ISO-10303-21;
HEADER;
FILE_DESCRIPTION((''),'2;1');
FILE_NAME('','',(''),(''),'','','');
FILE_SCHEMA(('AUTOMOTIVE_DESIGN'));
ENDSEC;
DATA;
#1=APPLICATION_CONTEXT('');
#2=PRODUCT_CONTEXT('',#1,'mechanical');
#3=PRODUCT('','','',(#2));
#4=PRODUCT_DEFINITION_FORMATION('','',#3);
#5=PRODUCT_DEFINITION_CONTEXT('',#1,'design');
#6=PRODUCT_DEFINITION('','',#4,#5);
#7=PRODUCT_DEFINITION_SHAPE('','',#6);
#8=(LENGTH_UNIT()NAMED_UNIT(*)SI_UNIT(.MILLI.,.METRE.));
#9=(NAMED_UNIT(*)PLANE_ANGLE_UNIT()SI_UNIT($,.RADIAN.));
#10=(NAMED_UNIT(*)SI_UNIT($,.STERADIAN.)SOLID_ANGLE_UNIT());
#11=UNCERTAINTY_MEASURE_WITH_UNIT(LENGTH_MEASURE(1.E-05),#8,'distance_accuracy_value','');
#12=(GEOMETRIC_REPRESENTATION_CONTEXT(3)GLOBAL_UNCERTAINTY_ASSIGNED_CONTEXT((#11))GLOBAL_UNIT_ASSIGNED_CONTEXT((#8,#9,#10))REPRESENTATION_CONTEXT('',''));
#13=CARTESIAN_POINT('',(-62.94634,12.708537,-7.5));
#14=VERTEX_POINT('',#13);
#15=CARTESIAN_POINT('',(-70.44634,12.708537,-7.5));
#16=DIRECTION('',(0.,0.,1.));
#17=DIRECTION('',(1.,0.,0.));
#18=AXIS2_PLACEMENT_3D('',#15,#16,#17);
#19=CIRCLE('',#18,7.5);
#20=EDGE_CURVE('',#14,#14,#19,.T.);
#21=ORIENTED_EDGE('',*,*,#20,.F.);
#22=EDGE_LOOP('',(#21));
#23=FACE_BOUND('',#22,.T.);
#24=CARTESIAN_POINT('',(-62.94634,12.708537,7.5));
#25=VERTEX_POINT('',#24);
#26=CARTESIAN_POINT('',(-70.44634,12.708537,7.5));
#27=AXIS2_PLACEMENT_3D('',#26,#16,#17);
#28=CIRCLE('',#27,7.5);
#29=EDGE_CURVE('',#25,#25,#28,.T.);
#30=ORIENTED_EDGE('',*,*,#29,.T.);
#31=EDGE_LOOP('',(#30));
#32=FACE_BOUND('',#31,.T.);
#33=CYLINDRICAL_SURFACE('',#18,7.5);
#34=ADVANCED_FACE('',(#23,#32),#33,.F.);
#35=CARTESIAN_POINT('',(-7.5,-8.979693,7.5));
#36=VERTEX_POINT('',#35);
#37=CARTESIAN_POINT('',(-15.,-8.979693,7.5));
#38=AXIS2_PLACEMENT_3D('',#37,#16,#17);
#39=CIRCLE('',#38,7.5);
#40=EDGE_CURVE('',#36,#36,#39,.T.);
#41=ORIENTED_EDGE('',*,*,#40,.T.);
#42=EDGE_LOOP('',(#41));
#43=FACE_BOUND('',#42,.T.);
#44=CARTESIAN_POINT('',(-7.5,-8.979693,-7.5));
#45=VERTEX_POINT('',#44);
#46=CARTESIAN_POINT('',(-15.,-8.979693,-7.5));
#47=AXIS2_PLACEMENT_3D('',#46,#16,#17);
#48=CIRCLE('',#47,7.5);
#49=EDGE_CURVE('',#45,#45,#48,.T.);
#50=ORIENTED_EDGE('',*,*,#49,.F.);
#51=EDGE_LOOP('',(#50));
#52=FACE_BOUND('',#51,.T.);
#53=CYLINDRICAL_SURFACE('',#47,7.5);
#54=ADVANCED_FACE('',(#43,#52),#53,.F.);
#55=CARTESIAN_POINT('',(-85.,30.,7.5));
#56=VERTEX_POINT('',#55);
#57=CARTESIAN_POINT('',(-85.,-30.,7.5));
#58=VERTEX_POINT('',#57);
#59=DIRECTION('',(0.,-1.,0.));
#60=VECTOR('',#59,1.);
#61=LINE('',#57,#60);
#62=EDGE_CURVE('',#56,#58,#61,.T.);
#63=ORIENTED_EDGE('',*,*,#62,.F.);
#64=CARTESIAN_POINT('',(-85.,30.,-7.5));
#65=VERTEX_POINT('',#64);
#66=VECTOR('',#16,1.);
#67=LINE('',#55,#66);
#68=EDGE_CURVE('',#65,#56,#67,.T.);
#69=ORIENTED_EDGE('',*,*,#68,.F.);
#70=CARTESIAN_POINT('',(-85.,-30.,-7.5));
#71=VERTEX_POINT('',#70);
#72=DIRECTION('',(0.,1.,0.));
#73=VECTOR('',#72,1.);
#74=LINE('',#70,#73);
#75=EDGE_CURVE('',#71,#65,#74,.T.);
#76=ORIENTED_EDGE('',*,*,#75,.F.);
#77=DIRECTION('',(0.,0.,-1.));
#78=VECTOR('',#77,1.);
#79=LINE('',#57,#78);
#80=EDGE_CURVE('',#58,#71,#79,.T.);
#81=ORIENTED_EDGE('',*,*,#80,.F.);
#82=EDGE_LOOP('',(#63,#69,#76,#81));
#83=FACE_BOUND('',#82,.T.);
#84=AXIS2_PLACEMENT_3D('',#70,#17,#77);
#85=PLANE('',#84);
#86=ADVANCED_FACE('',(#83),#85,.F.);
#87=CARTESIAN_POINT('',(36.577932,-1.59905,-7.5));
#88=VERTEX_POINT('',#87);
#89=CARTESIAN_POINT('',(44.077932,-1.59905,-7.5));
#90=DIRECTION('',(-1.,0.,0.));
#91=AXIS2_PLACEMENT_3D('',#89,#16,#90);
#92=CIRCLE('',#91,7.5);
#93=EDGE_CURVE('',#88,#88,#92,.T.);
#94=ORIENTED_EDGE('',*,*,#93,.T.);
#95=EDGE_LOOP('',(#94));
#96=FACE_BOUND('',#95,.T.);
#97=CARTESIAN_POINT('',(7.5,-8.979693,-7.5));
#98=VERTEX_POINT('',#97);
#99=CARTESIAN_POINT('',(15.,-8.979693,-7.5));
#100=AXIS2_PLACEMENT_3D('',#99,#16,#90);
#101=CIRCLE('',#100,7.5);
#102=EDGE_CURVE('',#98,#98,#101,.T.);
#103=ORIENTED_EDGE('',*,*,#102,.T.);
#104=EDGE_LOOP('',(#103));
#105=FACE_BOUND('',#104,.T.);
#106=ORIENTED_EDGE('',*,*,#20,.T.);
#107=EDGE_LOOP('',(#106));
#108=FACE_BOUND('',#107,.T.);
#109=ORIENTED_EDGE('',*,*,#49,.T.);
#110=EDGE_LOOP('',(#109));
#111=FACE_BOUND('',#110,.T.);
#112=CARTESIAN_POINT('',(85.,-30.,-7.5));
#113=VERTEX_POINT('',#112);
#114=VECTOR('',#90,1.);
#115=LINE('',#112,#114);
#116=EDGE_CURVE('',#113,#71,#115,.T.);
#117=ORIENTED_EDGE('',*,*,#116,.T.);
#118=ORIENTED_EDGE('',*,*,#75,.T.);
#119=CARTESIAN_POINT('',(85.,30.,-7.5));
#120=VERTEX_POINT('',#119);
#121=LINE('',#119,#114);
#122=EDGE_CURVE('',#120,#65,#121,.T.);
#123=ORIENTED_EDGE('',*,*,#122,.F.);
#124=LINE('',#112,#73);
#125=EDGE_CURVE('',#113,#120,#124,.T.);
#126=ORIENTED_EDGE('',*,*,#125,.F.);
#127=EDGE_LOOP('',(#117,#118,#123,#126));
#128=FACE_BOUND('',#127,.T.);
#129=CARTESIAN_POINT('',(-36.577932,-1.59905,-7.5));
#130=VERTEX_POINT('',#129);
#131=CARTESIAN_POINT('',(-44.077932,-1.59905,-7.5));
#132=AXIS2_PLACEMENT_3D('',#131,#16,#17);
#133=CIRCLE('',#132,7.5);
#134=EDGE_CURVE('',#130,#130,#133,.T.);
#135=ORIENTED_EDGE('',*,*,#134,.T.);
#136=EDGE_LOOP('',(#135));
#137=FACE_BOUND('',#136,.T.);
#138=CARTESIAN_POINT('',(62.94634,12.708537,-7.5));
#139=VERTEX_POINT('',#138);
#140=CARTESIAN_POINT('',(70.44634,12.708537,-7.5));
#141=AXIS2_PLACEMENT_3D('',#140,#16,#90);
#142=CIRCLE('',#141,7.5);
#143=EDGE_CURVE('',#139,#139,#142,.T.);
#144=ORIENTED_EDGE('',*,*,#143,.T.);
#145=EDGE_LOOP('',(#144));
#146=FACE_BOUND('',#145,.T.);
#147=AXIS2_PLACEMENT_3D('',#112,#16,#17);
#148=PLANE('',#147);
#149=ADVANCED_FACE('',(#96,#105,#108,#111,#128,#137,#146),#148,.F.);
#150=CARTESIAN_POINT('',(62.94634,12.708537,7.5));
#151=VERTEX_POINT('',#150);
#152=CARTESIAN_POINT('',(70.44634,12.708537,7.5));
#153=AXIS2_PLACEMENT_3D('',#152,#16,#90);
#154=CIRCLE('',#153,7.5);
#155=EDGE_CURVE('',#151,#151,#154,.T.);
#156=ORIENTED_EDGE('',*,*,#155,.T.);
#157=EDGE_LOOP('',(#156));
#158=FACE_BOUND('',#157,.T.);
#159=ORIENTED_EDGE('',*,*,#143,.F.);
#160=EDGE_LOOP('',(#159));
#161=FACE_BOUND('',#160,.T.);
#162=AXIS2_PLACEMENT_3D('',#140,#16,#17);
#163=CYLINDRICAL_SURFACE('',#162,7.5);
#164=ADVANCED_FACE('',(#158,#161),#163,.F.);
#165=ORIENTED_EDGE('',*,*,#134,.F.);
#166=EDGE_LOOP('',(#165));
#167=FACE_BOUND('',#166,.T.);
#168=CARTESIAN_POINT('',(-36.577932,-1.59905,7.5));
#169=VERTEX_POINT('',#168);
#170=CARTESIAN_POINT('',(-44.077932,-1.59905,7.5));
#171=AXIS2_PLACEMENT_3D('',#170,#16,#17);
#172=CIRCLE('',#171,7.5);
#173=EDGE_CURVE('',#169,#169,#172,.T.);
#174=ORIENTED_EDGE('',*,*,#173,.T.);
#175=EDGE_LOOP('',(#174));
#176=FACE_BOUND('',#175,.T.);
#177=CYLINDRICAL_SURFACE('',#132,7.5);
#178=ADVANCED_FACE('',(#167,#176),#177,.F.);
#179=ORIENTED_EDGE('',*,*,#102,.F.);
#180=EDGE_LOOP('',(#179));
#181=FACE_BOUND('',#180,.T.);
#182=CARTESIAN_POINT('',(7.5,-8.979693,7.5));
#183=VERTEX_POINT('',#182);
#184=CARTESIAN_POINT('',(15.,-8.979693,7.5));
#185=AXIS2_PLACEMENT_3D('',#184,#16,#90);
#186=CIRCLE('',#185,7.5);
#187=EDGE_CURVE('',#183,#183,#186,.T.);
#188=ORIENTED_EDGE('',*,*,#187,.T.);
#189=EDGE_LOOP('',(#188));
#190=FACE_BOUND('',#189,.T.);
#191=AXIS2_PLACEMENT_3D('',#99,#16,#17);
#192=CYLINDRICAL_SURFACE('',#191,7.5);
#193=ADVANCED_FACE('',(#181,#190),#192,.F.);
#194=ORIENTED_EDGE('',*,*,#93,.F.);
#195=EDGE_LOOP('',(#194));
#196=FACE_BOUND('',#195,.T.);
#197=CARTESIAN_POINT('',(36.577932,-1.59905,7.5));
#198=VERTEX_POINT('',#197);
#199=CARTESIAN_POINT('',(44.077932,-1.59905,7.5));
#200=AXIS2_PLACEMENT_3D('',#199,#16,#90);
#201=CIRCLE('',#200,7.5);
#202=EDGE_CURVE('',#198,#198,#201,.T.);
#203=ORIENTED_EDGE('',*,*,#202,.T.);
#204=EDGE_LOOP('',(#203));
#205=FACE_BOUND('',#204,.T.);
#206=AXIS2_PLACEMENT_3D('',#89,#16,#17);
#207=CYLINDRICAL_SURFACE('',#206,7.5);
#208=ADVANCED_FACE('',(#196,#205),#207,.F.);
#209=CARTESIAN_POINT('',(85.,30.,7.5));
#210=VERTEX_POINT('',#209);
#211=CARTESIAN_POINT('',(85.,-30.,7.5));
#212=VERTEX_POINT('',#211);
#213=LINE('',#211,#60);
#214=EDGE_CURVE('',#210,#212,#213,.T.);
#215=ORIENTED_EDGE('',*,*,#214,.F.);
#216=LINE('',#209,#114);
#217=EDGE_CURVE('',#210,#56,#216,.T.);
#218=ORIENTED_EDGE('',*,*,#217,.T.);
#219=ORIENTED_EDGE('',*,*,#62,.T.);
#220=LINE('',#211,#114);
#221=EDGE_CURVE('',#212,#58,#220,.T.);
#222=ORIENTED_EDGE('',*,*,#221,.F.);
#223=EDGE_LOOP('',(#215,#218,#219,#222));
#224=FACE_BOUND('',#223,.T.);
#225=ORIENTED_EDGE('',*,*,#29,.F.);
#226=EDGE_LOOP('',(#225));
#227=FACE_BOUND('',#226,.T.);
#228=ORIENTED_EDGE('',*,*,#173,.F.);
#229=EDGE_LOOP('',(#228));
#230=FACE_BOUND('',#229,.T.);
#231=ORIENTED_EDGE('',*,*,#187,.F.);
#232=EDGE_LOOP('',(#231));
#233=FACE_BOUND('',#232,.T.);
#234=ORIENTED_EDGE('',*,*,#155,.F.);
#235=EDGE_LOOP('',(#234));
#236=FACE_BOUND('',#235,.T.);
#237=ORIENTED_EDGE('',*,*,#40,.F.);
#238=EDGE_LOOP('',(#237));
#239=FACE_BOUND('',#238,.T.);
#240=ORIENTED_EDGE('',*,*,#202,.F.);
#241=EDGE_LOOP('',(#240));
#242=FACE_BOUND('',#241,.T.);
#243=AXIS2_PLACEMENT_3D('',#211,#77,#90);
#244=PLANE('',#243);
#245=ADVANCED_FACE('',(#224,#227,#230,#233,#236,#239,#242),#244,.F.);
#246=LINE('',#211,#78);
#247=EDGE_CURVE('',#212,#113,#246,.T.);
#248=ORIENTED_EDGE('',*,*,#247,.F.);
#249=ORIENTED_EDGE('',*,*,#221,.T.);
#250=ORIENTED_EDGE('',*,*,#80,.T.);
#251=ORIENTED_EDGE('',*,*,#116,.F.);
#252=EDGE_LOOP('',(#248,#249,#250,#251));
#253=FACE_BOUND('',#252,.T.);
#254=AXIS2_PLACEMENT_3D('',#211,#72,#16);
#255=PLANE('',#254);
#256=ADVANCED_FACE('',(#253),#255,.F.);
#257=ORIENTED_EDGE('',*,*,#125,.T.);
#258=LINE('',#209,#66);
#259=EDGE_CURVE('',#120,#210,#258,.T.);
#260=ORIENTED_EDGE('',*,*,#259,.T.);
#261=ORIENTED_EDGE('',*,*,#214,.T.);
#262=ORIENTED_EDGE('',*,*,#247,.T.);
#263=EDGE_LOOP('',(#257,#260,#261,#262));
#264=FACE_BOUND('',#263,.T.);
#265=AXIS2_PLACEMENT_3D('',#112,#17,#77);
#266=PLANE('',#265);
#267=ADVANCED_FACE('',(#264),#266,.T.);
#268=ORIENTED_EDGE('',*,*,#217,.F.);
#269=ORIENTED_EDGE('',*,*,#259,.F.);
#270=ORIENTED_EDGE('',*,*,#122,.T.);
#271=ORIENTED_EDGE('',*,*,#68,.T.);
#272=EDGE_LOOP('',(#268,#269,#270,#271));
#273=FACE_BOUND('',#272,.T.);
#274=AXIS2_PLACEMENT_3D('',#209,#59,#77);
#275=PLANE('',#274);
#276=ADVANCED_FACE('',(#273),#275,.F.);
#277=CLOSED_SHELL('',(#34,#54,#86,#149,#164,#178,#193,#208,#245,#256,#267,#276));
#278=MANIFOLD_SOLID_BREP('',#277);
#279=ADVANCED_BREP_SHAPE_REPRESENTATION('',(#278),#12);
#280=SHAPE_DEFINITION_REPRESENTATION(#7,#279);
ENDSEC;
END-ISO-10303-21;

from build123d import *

# Parameters (mm, degrees)
PLAT_W                      = 60
PLAT_H                      = 15
EL_MENT_M_CANO_SOUD_1_DEPTH = 170
ESQUISSE2_R                 = 7.5
ENL_V_MAT_EXTRU_1_DEPTH     = 16


with BuildPart() as part:
    # plat → Elément mécano-soudé1 (new body)
    with BuildSketch(Plane.YZ.offset(-85)):
        Rectangle(PLAT_W, PLAT_H)
    extrude(amount=EL_MENT_M_CANO_SOUD_1_DEPTH)

    # Esquisse2 → Enlèv. mat.-Extru.1 (cut, through all)
    with BuildSketch(Plane.XY.offset(7.5)):
        with Locations((-15, -8.979692736)):
            Circle(ESQUISSE2_R)
        with Locations((-44.077931835, -1.599050475)):
            Circle(ESQUISSE2_R)
        with Locations((-70.446339823, 12.708537029)):
            Circle(ESQUISSE2_R)
        with Locations(Location((70.446339823, 12.708537029, 0), (0, 0, 180))):  # turned: the seam where the file's is
            Circle(ESQUISSE2_R)
        with Locations(Location((44.077931835, -1.599050475, 0), (0, 0, 180))):  # turned: the seam where the file's is
            Circle(ESQUISSE2_R)
        with Locations(Location((15, -8.979692736, 0), (0, 0, 180))):  # turned: the seam where the file's is
            Circle(ESQUISSE2_R)
    extrude(amount=-ENL_V_MAT_EXTRU_1_DEPTH, mode=Mode.SUBTRACT)


solid = part.part
